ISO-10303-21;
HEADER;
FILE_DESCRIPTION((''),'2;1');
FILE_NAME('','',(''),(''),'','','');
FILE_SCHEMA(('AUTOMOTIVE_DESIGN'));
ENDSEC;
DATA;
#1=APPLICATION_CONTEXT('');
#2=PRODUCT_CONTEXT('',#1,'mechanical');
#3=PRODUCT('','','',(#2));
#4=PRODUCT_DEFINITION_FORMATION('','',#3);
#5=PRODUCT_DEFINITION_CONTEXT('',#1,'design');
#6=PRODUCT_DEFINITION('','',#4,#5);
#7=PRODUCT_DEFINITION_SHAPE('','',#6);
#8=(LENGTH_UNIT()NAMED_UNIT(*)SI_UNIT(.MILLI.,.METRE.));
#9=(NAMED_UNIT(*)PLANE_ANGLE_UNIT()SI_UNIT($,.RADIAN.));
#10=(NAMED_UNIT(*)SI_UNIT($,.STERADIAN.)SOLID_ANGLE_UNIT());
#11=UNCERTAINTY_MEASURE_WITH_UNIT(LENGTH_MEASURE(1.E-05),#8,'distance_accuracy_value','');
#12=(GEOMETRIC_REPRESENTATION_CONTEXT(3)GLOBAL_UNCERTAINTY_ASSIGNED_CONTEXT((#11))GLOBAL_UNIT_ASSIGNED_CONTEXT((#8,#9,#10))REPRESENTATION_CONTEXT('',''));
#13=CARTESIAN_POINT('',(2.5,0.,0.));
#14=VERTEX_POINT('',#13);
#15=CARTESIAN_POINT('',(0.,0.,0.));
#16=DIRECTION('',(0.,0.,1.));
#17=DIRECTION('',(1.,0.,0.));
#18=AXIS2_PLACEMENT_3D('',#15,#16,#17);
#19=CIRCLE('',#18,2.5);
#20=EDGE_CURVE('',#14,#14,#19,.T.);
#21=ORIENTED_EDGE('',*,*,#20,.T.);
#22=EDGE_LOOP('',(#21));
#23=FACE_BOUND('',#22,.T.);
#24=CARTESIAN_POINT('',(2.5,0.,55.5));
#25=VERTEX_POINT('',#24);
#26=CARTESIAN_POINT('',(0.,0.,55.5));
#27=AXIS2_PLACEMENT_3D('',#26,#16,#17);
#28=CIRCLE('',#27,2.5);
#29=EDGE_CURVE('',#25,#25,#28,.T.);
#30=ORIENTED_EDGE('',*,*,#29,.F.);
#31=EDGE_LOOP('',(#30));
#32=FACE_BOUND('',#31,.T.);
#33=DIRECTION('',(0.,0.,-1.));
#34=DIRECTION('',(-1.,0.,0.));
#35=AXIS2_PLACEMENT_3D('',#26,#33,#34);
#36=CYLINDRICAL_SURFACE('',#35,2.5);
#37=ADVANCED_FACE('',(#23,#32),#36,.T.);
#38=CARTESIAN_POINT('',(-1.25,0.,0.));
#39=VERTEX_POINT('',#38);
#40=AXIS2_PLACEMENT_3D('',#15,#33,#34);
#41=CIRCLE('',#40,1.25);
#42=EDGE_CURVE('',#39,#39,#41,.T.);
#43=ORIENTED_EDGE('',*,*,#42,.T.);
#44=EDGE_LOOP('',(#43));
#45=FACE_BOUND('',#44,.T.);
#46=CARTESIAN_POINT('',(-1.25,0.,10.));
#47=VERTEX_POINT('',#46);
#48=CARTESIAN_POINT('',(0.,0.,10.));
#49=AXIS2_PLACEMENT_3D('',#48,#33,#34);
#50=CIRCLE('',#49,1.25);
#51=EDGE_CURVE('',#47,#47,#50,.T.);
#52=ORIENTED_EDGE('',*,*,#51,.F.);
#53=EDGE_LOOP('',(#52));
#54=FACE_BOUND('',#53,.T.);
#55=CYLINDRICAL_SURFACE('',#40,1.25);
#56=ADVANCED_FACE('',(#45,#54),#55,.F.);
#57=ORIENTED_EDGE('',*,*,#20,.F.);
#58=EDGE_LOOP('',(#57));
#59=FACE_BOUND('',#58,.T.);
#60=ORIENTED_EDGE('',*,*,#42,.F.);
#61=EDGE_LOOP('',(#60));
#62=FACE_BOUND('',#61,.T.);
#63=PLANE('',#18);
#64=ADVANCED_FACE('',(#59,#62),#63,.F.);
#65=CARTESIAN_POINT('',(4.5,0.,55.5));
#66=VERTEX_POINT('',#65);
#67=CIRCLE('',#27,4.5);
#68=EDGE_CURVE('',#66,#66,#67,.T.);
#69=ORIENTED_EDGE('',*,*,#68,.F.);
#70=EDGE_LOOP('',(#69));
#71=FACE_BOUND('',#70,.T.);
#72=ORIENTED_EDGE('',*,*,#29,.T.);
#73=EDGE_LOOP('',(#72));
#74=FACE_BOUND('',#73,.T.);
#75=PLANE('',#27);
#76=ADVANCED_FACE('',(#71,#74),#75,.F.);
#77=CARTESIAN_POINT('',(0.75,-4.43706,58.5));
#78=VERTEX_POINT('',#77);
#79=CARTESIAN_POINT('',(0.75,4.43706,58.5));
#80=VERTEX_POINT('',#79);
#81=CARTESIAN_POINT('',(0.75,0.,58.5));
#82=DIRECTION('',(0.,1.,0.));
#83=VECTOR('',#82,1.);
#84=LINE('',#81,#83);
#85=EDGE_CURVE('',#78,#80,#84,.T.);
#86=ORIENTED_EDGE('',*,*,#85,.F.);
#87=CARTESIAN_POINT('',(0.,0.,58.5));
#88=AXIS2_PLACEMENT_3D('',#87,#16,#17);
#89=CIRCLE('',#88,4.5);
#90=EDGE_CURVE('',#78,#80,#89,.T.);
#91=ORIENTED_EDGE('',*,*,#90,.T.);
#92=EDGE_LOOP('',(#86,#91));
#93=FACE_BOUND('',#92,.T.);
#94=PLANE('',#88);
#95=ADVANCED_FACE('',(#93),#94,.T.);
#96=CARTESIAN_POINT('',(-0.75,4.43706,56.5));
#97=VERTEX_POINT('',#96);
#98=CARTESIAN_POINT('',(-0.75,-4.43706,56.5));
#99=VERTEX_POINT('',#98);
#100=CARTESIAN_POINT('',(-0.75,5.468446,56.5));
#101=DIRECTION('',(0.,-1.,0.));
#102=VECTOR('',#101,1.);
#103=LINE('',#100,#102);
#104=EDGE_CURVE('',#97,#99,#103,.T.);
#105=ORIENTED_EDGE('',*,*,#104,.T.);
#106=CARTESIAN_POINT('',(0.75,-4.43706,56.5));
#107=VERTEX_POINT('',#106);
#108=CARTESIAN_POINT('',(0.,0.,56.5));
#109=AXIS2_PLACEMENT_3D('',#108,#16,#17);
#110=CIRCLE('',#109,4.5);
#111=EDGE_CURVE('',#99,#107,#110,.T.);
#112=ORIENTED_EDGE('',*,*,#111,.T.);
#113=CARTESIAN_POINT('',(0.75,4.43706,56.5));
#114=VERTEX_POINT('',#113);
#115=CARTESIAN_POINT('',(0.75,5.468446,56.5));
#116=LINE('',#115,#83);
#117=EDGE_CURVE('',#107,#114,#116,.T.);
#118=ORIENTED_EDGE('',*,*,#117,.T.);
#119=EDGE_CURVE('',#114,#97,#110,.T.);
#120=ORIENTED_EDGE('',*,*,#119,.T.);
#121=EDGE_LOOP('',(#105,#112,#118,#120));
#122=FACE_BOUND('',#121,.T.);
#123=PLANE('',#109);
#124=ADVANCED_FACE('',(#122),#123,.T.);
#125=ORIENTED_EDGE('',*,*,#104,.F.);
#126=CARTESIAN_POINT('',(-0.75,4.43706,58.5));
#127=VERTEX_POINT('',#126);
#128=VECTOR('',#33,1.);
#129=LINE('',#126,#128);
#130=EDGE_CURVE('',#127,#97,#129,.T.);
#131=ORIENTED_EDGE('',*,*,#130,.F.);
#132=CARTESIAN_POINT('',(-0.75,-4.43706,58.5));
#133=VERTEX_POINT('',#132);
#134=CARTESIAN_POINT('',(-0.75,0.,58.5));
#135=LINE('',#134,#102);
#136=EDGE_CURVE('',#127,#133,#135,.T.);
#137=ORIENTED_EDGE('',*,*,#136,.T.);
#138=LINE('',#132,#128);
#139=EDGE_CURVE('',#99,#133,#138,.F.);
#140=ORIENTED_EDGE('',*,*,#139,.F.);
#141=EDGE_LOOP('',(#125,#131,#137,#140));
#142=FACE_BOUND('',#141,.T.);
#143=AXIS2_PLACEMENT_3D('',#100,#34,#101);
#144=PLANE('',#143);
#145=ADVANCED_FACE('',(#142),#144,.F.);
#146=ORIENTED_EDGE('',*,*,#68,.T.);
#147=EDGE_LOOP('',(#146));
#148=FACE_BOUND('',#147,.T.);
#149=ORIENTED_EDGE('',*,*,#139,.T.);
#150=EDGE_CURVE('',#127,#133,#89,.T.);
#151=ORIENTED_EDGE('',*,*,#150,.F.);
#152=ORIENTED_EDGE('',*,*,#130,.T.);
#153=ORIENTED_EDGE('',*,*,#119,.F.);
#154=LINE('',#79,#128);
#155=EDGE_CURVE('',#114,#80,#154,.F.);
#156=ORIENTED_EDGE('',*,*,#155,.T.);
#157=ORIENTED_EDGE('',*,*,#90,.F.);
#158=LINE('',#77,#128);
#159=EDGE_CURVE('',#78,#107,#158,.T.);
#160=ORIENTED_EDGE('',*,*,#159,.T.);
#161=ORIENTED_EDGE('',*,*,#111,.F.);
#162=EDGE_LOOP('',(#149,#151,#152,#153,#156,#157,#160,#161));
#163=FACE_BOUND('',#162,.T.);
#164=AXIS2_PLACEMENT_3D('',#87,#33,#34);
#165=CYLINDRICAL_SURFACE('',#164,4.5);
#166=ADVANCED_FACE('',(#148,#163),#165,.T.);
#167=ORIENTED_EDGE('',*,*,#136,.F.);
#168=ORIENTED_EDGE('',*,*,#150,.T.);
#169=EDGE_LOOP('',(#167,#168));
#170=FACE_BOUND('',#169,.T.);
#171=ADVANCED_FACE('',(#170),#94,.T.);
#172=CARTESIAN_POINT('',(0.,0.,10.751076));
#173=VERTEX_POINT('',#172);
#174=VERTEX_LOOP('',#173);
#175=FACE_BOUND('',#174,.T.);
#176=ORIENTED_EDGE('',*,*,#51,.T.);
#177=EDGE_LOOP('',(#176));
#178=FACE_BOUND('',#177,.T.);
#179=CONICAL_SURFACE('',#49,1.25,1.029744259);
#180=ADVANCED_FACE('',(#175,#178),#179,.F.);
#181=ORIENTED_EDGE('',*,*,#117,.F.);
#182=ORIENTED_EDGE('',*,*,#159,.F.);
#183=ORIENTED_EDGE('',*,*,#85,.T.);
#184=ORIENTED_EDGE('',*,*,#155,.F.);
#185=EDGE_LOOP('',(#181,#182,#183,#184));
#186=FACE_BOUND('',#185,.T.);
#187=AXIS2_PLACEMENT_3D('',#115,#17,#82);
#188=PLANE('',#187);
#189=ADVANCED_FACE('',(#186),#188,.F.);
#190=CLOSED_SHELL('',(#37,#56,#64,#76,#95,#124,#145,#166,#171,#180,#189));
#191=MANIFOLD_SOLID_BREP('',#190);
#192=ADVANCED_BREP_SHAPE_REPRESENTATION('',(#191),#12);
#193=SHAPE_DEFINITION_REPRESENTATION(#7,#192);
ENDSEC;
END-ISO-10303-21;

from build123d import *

# Parameters (mm, degrees)
SKETCH_1_R             = 2.5
EXTRUDE_1_DEPTH        = 55.5
SKETCH_2_R             = 4.5
EXTRUDE_2_DEPTH        = 3
SKETCH_4_W             = 1.5
SKETCH_4_H             = 10.936891942
CUT_EXTRUDE_1_DEPTH    = 2
HOLE_WIZARD_M3_1_D     = 2.5
HOLE_WIZARD_M3_1_DEPTH = 10
HOLE_WIZARD_M3_1_TIP   = 0.751075774


with BuildPart() as part:
    # 草图1 → 凸台-拉伸1 (new body)
    with BuildSketch(Plane.XY):
        Circle(SKETCH_1_R)
    extrude(amount=EXTRUDE_1_DEPTH)

    # 草图2 → 凸台-拉伸2 (add)
    with BuildSketch(Plane.XY.offset(55.5)):
        Circle(SKETCH_2_R)
    extrude(amount=EXTRUDE_2_DEPTH)

    # 草图4 → 切除-拉伸1 (cut)
    with BuildSketch(Plane.XY.offset(58.5)):
        Rectangle(SKETCH_4_W, SKETCH_4_H)
    extrude(amount=-CUT_EXTRUDE_1_DEPTH, mode=Mode.SUBTRACT)

    # M3 螺纹孔的螺纹孔钻头1
    with Locations(Plane(origin=(0, 0, 0), x_dir=(-1, 0, 0), z_dir=(0, 0, -1))):
        with Locations((0, 0)):
            Hole(HOLE_WIZARD_M3_1_D / 2, depth=HOLE_WIZARD_M3_1_DEPTH)
            with Locations((0, 0, -(HOLE_WIZARD_M3_1_DEPTH + HOLE_WIZARD_M3_1_TIP / 2))):  # 118° drill point
                Cone(0, HOLE_WIZARD_M3_1_D / 2, HOLE_WIZARD_M3_1_TIP, mode=Mode.SUBTRACT)


solid = part.part
